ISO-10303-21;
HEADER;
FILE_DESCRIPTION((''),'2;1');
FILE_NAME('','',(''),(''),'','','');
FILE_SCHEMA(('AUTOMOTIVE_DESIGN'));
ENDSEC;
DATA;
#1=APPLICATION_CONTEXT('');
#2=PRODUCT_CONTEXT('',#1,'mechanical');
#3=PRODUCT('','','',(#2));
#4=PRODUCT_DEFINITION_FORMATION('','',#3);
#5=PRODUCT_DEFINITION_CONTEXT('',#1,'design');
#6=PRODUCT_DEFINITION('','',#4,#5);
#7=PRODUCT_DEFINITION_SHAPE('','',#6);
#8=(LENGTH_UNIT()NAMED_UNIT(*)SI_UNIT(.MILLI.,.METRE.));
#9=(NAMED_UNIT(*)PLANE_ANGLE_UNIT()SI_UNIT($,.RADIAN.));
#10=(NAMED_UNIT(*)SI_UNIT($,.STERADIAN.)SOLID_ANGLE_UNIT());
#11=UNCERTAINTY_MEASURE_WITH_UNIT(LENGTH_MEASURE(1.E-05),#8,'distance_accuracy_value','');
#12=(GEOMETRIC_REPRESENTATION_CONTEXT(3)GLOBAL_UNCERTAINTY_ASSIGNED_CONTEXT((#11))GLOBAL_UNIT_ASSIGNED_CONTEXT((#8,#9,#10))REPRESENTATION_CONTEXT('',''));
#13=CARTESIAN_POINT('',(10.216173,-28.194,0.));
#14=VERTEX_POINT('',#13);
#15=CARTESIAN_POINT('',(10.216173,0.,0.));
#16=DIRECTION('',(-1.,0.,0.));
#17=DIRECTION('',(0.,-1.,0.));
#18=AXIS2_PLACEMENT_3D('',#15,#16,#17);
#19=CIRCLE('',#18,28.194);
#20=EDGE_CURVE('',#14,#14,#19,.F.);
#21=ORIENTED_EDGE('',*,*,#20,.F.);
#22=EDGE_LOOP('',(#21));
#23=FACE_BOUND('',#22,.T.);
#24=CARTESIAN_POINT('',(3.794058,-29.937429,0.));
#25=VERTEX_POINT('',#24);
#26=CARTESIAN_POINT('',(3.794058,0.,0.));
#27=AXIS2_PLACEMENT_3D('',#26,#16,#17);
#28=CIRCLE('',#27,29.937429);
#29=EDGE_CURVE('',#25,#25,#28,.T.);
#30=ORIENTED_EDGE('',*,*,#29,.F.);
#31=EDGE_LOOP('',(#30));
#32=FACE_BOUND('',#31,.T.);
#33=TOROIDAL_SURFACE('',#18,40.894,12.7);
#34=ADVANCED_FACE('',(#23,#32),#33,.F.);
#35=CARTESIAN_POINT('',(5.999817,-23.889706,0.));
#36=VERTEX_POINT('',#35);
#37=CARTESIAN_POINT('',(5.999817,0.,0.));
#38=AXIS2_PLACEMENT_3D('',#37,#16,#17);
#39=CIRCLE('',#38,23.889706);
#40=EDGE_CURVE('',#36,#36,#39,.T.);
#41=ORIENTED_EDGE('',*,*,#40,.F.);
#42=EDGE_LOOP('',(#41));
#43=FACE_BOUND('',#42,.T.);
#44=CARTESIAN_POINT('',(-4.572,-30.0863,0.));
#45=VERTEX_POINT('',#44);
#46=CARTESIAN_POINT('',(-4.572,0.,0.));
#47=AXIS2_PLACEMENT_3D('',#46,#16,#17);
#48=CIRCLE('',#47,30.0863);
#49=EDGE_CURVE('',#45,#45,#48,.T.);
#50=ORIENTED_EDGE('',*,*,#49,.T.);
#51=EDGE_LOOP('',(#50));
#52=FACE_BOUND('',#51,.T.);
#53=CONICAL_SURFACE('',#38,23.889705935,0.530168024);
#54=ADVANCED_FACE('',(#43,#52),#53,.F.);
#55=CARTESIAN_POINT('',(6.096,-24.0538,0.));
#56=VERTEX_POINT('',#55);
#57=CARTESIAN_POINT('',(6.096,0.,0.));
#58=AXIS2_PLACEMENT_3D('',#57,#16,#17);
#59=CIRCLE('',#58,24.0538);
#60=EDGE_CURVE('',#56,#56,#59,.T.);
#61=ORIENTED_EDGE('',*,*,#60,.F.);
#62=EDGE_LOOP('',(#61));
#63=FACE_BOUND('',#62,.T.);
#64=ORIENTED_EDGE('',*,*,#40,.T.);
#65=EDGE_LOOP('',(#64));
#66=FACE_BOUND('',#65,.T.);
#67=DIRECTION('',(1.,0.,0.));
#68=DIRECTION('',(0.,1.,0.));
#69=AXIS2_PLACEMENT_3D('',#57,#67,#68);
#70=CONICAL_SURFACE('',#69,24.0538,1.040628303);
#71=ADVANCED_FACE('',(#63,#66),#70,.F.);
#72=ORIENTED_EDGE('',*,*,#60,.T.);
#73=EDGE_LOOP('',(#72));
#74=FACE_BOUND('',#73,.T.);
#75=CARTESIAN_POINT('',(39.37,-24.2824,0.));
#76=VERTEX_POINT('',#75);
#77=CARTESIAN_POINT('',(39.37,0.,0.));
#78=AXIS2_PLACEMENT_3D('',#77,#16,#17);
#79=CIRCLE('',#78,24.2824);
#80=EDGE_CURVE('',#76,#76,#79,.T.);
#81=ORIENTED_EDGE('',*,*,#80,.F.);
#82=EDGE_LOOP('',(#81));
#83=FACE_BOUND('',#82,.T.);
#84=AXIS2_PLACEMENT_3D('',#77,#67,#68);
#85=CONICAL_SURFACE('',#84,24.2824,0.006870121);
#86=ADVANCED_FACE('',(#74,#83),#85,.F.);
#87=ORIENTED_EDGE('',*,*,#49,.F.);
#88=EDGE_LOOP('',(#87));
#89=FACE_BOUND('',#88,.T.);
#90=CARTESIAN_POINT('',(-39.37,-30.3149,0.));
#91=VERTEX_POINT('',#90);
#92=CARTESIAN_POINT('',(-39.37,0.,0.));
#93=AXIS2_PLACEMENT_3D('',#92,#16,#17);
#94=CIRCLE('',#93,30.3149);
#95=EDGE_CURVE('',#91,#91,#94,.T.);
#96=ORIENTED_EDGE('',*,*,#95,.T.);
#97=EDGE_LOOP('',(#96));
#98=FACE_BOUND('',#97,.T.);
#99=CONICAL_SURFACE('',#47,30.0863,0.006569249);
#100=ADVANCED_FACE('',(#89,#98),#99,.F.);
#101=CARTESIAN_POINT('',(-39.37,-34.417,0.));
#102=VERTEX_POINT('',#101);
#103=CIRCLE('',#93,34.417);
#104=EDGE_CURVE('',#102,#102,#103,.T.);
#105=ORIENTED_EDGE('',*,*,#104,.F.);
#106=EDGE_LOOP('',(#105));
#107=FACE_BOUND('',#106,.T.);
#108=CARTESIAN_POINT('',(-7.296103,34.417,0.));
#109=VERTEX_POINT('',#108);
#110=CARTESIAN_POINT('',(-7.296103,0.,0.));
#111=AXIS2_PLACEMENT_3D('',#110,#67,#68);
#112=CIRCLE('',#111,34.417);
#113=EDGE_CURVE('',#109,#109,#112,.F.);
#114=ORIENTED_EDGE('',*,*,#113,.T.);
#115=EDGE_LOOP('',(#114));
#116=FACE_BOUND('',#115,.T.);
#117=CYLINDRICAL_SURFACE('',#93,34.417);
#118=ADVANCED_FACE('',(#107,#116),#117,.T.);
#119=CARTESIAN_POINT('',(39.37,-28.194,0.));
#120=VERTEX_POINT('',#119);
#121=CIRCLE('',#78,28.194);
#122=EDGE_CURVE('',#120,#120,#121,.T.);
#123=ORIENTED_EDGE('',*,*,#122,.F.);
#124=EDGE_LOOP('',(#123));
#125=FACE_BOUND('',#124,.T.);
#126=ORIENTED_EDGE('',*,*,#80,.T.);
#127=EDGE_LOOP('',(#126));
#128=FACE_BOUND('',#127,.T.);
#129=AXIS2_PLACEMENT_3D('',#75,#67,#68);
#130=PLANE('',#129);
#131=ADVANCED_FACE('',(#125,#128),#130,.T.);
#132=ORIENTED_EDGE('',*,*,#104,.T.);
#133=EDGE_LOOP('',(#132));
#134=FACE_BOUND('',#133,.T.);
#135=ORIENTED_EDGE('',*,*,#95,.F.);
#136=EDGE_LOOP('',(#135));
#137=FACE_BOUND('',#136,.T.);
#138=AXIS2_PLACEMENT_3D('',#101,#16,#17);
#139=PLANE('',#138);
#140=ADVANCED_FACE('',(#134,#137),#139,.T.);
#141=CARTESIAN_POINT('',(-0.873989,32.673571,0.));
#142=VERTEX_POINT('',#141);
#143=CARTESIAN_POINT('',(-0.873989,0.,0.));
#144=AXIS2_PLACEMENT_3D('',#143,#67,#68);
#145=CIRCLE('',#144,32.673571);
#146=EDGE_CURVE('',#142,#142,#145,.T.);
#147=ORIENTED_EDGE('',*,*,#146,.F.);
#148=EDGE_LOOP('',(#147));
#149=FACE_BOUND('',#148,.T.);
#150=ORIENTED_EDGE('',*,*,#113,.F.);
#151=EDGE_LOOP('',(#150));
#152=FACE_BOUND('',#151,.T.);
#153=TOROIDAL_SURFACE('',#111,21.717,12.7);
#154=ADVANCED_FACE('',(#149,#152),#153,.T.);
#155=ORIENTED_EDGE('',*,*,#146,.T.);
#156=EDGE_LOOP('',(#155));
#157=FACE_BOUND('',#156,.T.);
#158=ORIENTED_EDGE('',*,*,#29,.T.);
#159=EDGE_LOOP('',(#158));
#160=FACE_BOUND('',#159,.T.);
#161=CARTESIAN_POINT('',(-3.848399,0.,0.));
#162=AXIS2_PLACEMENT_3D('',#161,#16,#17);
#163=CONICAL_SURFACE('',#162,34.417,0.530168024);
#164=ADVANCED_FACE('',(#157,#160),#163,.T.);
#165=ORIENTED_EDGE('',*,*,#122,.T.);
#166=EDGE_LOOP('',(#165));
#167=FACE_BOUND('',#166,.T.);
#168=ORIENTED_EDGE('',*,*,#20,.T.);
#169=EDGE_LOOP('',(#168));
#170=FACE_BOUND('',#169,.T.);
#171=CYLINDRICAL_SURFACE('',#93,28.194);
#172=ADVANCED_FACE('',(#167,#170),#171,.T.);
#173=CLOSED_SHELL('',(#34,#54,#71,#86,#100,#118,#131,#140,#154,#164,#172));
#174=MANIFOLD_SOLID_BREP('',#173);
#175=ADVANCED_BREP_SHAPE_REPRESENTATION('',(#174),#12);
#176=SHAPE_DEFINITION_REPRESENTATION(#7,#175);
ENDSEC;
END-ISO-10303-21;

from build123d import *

# Parameters (mm, degrees)
FILLET1_R = 12.7


with BuildPart() as part:
    # Sketch1 → Revolve1 (revolve)
    with BuildSketch(Plane.XY):
        Polygon((-4.572, -30.0863), (5.999817455, -23.889705935), (6.096, -24.0538), (39.37, -24.2824), (39.37, -28.194), (6.768468807, -28.194), (-3.848398997, -34.417), (-39.37, -34.417), (-39.37, -30.3149), align=None)
    revolve(axis=Axis((-39.37, 0, 0), (1, 0, 0)))

    # Fillet1
    fillet1_edges = [part.edges().sort_by_distance(p)[0] for p in [
        (-3.848398997, 34.417, 0),
        (6.768468807, 28.194, 0),
    ]]
    fillet(fillet1_edges, radius=FILLET1_R)


solid = part.part
